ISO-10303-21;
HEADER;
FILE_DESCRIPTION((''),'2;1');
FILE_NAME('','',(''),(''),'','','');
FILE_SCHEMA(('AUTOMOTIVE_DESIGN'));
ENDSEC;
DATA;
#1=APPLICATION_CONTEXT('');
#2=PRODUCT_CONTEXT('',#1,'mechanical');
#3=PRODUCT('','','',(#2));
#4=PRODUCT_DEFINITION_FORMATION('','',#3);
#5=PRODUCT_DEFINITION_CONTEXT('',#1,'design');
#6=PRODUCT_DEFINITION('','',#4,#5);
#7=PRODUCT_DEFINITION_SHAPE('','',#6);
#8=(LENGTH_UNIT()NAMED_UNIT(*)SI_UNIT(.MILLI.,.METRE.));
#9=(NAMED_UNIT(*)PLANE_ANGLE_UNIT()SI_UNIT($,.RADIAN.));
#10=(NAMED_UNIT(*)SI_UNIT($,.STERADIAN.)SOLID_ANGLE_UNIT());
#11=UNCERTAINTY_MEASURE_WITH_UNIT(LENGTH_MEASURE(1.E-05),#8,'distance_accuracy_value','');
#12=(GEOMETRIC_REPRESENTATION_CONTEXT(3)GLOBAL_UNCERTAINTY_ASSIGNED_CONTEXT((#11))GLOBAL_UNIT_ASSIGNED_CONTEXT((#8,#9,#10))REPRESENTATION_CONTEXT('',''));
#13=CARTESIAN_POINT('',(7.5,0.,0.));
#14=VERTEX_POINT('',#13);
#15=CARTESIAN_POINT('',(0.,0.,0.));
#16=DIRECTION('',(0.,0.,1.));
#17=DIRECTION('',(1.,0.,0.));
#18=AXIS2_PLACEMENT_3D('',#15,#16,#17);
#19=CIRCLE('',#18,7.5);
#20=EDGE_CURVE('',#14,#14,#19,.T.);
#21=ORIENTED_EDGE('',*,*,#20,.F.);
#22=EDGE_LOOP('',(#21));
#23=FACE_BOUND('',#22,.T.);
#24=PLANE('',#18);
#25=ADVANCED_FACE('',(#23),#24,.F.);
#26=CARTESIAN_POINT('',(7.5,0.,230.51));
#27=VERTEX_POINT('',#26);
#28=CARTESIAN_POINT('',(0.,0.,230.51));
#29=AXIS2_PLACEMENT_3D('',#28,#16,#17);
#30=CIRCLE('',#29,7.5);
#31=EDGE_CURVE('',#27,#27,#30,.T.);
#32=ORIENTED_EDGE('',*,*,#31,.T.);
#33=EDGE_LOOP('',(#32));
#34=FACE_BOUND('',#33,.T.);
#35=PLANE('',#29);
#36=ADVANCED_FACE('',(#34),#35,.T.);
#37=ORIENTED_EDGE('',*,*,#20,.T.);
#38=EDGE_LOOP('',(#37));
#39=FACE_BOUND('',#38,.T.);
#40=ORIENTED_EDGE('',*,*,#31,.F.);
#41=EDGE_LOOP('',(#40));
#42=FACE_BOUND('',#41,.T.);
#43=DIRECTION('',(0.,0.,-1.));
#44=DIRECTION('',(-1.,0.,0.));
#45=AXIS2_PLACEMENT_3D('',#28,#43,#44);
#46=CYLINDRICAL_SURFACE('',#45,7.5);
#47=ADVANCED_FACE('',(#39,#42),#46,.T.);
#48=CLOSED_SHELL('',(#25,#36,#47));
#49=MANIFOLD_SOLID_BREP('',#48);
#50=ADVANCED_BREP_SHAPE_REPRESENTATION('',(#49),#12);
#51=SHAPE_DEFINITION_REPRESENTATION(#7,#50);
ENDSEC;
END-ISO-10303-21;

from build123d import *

# Parameters (mm, degrees)
CROQUIS1_R              = 7.5
SALIENTE_EXTRUIR1_DEPTH = 230.51


with BuildPart() as part:
    # Croquis1 → Saliente-Extruir1 (new body)
    with BuildSketch(Plane.XY):
        Circle(CROQUIS1_R)
    extrude(amount=SALIENTE_EXTRUIR1_DEPTH)


solid = part.part
